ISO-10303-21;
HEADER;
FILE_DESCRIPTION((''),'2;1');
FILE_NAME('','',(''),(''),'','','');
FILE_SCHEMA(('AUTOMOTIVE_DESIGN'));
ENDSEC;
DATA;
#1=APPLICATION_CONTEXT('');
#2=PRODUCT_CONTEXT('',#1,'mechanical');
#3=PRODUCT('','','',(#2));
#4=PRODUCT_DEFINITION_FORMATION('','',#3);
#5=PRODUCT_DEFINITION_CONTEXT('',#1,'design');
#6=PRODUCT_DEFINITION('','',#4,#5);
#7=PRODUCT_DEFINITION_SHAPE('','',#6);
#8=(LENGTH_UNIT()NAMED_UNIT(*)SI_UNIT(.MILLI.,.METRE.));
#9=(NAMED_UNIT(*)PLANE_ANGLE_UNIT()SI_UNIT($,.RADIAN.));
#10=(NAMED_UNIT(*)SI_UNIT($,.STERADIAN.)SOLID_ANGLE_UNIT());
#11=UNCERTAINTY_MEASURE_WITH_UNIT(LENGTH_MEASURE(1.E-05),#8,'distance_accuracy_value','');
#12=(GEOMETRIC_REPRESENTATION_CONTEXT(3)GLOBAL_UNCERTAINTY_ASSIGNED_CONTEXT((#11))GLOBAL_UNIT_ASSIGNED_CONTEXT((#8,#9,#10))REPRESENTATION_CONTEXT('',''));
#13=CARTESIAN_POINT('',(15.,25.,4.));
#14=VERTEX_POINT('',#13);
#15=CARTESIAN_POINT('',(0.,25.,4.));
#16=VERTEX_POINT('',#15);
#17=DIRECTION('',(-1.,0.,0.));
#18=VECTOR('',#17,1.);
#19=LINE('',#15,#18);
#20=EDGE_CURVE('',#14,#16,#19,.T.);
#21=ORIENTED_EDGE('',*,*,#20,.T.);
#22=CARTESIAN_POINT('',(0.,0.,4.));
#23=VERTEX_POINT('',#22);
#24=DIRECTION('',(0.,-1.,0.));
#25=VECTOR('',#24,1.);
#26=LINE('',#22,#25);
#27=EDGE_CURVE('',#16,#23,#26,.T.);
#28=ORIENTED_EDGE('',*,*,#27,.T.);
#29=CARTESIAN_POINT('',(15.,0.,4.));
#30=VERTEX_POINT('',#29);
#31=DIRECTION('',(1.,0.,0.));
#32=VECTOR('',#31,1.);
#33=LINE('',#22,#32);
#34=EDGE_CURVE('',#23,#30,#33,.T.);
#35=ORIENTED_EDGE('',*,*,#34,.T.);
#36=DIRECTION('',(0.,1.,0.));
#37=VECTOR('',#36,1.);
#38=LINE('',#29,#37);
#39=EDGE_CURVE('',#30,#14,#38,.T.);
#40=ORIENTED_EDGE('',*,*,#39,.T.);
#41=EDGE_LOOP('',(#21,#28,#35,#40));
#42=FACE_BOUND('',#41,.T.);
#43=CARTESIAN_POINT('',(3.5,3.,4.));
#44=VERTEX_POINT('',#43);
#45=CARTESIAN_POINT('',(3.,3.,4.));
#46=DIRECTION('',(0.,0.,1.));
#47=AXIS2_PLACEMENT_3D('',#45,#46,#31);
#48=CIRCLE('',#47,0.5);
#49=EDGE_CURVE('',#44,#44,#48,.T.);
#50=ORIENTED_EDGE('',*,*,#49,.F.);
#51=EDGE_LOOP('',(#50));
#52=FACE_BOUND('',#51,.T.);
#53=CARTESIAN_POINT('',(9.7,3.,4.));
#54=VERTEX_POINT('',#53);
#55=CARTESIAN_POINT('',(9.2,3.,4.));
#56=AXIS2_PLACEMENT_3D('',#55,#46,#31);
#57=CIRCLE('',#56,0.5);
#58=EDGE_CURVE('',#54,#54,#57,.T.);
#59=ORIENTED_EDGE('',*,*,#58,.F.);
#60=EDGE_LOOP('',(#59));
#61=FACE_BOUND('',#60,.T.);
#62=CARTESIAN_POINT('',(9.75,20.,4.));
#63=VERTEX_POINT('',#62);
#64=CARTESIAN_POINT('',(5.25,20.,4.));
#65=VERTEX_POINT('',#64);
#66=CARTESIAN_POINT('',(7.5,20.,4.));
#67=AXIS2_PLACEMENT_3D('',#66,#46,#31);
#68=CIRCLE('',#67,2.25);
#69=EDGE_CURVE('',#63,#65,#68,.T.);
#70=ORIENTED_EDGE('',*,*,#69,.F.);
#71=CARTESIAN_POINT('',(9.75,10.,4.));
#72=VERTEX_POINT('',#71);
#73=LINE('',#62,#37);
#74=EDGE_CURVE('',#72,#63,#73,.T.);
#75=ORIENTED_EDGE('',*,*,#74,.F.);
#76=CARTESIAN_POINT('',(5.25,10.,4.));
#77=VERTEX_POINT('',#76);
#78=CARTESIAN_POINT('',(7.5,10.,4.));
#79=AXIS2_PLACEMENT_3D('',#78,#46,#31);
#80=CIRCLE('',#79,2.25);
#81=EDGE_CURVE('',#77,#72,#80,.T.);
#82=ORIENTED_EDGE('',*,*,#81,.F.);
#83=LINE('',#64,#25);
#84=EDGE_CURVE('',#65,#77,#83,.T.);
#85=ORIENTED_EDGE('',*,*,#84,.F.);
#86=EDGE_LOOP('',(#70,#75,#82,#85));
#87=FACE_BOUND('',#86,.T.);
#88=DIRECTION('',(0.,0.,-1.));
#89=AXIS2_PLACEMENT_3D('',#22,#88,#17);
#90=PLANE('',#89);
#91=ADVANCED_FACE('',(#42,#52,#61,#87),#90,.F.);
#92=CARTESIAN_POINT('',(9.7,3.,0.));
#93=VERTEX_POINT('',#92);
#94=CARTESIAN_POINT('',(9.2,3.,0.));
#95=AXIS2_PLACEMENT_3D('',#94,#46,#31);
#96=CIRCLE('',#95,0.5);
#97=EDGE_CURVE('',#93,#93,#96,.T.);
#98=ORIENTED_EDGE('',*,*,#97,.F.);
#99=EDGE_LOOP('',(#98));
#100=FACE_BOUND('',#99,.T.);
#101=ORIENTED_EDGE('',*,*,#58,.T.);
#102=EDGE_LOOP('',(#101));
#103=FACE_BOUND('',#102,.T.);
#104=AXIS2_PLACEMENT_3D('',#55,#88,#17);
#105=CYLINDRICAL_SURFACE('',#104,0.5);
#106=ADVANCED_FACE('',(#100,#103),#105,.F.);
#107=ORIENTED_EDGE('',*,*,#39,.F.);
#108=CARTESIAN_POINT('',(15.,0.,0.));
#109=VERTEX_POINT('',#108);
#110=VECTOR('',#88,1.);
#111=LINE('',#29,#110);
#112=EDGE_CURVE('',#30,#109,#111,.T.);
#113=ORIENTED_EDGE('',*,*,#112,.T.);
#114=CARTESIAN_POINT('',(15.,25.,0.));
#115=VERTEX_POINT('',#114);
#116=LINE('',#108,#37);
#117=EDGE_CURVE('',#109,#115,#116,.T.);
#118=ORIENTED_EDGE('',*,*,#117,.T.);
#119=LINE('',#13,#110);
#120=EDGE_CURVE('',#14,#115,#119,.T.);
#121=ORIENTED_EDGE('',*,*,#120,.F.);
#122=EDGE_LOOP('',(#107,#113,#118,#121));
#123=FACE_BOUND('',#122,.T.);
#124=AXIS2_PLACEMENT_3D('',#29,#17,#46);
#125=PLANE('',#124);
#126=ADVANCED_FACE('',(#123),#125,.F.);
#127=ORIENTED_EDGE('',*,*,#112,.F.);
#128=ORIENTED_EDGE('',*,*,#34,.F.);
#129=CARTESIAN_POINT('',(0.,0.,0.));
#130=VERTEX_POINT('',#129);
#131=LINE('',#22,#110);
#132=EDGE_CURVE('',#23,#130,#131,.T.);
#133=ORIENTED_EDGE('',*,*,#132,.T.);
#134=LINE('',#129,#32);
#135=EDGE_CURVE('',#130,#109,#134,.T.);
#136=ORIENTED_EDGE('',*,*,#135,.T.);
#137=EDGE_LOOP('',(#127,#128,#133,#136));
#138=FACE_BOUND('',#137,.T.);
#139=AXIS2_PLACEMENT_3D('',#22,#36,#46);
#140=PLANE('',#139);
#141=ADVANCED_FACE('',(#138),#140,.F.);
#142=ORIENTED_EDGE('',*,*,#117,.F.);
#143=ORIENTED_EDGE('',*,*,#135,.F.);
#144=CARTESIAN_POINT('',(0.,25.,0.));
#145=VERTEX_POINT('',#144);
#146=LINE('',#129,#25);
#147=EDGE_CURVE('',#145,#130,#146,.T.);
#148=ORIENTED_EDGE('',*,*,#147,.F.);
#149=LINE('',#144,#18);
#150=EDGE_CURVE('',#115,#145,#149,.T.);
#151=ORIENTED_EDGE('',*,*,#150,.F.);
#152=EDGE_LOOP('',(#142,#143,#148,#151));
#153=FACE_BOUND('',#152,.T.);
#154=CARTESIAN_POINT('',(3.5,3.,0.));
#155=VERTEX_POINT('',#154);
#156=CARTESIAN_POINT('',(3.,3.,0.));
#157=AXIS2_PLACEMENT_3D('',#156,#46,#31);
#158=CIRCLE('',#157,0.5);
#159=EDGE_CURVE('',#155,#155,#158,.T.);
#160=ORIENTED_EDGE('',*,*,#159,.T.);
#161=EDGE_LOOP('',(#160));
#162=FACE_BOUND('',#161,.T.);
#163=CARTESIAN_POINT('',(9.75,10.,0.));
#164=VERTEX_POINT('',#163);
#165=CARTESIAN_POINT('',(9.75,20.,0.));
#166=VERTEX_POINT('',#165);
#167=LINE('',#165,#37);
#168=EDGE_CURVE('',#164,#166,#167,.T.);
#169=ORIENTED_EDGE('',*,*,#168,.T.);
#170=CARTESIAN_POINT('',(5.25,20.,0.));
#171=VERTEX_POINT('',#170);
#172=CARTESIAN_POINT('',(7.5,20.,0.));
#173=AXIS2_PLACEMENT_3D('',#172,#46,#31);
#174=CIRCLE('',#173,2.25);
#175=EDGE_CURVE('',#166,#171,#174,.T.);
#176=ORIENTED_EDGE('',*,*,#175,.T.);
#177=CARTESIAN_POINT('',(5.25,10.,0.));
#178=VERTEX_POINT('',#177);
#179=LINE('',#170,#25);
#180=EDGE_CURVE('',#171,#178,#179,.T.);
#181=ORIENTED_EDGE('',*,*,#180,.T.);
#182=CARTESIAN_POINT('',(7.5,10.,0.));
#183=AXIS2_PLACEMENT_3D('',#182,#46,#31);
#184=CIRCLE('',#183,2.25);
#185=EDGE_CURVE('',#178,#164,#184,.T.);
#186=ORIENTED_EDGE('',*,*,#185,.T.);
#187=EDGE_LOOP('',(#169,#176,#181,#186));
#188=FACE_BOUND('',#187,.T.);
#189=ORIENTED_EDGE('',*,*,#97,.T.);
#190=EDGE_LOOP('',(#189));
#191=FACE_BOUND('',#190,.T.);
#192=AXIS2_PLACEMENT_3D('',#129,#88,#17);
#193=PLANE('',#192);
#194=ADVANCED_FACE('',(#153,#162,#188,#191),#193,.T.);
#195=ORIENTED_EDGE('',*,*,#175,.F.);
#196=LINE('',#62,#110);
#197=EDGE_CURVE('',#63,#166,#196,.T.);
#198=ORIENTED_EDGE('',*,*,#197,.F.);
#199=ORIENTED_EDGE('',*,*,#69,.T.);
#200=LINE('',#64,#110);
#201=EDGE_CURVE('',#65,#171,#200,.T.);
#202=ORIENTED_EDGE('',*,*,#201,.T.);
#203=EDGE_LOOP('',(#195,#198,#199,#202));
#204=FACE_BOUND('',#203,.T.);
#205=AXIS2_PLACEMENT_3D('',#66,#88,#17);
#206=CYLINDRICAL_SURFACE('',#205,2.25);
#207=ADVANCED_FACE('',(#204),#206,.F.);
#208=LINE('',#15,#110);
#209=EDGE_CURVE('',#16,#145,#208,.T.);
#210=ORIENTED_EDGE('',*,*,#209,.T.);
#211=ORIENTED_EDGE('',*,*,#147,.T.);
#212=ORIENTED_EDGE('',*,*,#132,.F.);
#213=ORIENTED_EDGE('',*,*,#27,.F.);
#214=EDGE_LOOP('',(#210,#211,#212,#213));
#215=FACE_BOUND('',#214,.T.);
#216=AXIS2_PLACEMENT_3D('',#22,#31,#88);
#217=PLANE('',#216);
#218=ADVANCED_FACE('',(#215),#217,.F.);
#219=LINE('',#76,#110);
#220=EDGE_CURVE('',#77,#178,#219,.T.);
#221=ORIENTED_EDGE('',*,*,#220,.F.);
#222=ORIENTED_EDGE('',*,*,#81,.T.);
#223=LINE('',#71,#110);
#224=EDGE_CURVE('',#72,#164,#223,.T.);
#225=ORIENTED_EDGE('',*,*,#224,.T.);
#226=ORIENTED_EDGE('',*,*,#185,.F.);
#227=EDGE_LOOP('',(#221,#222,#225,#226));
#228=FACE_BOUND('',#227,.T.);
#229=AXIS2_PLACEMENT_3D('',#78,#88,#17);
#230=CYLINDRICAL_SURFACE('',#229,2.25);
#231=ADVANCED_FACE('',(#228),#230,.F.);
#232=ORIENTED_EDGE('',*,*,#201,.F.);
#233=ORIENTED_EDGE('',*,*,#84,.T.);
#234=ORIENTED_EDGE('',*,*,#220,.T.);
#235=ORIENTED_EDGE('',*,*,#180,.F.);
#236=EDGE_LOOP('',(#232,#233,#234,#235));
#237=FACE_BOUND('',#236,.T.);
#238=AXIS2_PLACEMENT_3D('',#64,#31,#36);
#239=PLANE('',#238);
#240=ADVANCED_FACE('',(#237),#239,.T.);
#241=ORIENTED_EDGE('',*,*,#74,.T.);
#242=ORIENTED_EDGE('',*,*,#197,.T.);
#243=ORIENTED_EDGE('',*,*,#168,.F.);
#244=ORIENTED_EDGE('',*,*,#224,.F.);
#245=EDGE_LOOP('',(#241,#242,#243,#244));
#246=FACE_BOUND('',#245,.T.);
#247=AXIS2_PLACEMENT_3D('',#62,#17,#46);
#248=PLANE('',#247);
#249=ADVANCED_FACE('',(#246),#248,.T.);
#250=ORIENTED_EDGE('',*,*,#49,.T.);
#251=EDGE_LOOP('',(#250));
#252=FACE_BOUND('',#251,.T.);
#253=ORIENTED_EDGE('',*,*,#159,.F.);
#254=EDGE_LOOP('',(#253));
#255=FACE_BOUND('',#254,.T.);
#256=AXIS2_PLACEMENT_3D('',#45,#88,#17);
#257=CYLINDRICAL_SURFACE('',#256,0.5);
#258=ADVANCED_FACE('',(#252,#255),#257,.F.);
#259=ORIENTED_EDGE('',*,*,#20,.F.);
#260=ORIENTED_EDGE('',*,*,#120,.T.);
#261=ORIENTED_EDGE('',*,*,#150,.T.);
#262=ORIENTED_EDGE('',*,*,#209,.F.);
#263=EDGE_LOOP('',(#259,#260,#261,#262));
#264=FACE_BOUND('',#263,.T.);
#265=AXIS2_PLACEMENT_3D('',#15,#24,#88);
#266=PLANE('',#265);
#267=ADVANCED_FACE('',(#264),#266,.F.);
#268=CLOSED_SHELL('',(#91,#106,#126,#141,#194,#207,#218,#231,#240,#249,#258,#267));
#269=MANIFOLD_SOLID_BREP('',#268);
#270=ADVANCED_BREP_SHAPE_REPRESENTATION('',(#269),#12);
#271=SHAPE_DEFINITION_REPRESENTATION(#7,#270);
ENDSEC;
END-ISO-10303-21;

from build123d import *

# Parameters (mm, degrees)
SKETCH1_W           = 15
SKETCH1_H           = 25
SKETCH1_R           = 0.5
BOSS_EXTRUDE1_DEPTH = 4


with BuildPart() as part:
    # Sketch1 → Boss-Extrude1 (new body)
    with BuildSketch(Plane.XY):
        with Locations((7.5, 12.5)):
            Rectangle(SKETCH1_W, SKETCH1_H)
        with Locations((3, 3)):
            Circle(SKETCH1_R, mode=Mode.SUBTRACT)
        with Locations((9.2, 3)):
            Circle(SKETCH1_R, mode=Mode.SUBTRACT)
        with BuildLine():
            Line((9.75, 20), (9.75, 10))
            ThreePointArc((9.75, 10), (7.5, 7.75), (5.25, 10))
            Line((5.25, 10), (5.25, 20))
            ThreePointArc((5.25, 20), (7.5, 22.25), (9.75, 20))
        make_face(mode=Mode.SUBTRACT)
    extrude(amount=BOSS_EXTRUDE1_DEPTH)


solid = part.part
